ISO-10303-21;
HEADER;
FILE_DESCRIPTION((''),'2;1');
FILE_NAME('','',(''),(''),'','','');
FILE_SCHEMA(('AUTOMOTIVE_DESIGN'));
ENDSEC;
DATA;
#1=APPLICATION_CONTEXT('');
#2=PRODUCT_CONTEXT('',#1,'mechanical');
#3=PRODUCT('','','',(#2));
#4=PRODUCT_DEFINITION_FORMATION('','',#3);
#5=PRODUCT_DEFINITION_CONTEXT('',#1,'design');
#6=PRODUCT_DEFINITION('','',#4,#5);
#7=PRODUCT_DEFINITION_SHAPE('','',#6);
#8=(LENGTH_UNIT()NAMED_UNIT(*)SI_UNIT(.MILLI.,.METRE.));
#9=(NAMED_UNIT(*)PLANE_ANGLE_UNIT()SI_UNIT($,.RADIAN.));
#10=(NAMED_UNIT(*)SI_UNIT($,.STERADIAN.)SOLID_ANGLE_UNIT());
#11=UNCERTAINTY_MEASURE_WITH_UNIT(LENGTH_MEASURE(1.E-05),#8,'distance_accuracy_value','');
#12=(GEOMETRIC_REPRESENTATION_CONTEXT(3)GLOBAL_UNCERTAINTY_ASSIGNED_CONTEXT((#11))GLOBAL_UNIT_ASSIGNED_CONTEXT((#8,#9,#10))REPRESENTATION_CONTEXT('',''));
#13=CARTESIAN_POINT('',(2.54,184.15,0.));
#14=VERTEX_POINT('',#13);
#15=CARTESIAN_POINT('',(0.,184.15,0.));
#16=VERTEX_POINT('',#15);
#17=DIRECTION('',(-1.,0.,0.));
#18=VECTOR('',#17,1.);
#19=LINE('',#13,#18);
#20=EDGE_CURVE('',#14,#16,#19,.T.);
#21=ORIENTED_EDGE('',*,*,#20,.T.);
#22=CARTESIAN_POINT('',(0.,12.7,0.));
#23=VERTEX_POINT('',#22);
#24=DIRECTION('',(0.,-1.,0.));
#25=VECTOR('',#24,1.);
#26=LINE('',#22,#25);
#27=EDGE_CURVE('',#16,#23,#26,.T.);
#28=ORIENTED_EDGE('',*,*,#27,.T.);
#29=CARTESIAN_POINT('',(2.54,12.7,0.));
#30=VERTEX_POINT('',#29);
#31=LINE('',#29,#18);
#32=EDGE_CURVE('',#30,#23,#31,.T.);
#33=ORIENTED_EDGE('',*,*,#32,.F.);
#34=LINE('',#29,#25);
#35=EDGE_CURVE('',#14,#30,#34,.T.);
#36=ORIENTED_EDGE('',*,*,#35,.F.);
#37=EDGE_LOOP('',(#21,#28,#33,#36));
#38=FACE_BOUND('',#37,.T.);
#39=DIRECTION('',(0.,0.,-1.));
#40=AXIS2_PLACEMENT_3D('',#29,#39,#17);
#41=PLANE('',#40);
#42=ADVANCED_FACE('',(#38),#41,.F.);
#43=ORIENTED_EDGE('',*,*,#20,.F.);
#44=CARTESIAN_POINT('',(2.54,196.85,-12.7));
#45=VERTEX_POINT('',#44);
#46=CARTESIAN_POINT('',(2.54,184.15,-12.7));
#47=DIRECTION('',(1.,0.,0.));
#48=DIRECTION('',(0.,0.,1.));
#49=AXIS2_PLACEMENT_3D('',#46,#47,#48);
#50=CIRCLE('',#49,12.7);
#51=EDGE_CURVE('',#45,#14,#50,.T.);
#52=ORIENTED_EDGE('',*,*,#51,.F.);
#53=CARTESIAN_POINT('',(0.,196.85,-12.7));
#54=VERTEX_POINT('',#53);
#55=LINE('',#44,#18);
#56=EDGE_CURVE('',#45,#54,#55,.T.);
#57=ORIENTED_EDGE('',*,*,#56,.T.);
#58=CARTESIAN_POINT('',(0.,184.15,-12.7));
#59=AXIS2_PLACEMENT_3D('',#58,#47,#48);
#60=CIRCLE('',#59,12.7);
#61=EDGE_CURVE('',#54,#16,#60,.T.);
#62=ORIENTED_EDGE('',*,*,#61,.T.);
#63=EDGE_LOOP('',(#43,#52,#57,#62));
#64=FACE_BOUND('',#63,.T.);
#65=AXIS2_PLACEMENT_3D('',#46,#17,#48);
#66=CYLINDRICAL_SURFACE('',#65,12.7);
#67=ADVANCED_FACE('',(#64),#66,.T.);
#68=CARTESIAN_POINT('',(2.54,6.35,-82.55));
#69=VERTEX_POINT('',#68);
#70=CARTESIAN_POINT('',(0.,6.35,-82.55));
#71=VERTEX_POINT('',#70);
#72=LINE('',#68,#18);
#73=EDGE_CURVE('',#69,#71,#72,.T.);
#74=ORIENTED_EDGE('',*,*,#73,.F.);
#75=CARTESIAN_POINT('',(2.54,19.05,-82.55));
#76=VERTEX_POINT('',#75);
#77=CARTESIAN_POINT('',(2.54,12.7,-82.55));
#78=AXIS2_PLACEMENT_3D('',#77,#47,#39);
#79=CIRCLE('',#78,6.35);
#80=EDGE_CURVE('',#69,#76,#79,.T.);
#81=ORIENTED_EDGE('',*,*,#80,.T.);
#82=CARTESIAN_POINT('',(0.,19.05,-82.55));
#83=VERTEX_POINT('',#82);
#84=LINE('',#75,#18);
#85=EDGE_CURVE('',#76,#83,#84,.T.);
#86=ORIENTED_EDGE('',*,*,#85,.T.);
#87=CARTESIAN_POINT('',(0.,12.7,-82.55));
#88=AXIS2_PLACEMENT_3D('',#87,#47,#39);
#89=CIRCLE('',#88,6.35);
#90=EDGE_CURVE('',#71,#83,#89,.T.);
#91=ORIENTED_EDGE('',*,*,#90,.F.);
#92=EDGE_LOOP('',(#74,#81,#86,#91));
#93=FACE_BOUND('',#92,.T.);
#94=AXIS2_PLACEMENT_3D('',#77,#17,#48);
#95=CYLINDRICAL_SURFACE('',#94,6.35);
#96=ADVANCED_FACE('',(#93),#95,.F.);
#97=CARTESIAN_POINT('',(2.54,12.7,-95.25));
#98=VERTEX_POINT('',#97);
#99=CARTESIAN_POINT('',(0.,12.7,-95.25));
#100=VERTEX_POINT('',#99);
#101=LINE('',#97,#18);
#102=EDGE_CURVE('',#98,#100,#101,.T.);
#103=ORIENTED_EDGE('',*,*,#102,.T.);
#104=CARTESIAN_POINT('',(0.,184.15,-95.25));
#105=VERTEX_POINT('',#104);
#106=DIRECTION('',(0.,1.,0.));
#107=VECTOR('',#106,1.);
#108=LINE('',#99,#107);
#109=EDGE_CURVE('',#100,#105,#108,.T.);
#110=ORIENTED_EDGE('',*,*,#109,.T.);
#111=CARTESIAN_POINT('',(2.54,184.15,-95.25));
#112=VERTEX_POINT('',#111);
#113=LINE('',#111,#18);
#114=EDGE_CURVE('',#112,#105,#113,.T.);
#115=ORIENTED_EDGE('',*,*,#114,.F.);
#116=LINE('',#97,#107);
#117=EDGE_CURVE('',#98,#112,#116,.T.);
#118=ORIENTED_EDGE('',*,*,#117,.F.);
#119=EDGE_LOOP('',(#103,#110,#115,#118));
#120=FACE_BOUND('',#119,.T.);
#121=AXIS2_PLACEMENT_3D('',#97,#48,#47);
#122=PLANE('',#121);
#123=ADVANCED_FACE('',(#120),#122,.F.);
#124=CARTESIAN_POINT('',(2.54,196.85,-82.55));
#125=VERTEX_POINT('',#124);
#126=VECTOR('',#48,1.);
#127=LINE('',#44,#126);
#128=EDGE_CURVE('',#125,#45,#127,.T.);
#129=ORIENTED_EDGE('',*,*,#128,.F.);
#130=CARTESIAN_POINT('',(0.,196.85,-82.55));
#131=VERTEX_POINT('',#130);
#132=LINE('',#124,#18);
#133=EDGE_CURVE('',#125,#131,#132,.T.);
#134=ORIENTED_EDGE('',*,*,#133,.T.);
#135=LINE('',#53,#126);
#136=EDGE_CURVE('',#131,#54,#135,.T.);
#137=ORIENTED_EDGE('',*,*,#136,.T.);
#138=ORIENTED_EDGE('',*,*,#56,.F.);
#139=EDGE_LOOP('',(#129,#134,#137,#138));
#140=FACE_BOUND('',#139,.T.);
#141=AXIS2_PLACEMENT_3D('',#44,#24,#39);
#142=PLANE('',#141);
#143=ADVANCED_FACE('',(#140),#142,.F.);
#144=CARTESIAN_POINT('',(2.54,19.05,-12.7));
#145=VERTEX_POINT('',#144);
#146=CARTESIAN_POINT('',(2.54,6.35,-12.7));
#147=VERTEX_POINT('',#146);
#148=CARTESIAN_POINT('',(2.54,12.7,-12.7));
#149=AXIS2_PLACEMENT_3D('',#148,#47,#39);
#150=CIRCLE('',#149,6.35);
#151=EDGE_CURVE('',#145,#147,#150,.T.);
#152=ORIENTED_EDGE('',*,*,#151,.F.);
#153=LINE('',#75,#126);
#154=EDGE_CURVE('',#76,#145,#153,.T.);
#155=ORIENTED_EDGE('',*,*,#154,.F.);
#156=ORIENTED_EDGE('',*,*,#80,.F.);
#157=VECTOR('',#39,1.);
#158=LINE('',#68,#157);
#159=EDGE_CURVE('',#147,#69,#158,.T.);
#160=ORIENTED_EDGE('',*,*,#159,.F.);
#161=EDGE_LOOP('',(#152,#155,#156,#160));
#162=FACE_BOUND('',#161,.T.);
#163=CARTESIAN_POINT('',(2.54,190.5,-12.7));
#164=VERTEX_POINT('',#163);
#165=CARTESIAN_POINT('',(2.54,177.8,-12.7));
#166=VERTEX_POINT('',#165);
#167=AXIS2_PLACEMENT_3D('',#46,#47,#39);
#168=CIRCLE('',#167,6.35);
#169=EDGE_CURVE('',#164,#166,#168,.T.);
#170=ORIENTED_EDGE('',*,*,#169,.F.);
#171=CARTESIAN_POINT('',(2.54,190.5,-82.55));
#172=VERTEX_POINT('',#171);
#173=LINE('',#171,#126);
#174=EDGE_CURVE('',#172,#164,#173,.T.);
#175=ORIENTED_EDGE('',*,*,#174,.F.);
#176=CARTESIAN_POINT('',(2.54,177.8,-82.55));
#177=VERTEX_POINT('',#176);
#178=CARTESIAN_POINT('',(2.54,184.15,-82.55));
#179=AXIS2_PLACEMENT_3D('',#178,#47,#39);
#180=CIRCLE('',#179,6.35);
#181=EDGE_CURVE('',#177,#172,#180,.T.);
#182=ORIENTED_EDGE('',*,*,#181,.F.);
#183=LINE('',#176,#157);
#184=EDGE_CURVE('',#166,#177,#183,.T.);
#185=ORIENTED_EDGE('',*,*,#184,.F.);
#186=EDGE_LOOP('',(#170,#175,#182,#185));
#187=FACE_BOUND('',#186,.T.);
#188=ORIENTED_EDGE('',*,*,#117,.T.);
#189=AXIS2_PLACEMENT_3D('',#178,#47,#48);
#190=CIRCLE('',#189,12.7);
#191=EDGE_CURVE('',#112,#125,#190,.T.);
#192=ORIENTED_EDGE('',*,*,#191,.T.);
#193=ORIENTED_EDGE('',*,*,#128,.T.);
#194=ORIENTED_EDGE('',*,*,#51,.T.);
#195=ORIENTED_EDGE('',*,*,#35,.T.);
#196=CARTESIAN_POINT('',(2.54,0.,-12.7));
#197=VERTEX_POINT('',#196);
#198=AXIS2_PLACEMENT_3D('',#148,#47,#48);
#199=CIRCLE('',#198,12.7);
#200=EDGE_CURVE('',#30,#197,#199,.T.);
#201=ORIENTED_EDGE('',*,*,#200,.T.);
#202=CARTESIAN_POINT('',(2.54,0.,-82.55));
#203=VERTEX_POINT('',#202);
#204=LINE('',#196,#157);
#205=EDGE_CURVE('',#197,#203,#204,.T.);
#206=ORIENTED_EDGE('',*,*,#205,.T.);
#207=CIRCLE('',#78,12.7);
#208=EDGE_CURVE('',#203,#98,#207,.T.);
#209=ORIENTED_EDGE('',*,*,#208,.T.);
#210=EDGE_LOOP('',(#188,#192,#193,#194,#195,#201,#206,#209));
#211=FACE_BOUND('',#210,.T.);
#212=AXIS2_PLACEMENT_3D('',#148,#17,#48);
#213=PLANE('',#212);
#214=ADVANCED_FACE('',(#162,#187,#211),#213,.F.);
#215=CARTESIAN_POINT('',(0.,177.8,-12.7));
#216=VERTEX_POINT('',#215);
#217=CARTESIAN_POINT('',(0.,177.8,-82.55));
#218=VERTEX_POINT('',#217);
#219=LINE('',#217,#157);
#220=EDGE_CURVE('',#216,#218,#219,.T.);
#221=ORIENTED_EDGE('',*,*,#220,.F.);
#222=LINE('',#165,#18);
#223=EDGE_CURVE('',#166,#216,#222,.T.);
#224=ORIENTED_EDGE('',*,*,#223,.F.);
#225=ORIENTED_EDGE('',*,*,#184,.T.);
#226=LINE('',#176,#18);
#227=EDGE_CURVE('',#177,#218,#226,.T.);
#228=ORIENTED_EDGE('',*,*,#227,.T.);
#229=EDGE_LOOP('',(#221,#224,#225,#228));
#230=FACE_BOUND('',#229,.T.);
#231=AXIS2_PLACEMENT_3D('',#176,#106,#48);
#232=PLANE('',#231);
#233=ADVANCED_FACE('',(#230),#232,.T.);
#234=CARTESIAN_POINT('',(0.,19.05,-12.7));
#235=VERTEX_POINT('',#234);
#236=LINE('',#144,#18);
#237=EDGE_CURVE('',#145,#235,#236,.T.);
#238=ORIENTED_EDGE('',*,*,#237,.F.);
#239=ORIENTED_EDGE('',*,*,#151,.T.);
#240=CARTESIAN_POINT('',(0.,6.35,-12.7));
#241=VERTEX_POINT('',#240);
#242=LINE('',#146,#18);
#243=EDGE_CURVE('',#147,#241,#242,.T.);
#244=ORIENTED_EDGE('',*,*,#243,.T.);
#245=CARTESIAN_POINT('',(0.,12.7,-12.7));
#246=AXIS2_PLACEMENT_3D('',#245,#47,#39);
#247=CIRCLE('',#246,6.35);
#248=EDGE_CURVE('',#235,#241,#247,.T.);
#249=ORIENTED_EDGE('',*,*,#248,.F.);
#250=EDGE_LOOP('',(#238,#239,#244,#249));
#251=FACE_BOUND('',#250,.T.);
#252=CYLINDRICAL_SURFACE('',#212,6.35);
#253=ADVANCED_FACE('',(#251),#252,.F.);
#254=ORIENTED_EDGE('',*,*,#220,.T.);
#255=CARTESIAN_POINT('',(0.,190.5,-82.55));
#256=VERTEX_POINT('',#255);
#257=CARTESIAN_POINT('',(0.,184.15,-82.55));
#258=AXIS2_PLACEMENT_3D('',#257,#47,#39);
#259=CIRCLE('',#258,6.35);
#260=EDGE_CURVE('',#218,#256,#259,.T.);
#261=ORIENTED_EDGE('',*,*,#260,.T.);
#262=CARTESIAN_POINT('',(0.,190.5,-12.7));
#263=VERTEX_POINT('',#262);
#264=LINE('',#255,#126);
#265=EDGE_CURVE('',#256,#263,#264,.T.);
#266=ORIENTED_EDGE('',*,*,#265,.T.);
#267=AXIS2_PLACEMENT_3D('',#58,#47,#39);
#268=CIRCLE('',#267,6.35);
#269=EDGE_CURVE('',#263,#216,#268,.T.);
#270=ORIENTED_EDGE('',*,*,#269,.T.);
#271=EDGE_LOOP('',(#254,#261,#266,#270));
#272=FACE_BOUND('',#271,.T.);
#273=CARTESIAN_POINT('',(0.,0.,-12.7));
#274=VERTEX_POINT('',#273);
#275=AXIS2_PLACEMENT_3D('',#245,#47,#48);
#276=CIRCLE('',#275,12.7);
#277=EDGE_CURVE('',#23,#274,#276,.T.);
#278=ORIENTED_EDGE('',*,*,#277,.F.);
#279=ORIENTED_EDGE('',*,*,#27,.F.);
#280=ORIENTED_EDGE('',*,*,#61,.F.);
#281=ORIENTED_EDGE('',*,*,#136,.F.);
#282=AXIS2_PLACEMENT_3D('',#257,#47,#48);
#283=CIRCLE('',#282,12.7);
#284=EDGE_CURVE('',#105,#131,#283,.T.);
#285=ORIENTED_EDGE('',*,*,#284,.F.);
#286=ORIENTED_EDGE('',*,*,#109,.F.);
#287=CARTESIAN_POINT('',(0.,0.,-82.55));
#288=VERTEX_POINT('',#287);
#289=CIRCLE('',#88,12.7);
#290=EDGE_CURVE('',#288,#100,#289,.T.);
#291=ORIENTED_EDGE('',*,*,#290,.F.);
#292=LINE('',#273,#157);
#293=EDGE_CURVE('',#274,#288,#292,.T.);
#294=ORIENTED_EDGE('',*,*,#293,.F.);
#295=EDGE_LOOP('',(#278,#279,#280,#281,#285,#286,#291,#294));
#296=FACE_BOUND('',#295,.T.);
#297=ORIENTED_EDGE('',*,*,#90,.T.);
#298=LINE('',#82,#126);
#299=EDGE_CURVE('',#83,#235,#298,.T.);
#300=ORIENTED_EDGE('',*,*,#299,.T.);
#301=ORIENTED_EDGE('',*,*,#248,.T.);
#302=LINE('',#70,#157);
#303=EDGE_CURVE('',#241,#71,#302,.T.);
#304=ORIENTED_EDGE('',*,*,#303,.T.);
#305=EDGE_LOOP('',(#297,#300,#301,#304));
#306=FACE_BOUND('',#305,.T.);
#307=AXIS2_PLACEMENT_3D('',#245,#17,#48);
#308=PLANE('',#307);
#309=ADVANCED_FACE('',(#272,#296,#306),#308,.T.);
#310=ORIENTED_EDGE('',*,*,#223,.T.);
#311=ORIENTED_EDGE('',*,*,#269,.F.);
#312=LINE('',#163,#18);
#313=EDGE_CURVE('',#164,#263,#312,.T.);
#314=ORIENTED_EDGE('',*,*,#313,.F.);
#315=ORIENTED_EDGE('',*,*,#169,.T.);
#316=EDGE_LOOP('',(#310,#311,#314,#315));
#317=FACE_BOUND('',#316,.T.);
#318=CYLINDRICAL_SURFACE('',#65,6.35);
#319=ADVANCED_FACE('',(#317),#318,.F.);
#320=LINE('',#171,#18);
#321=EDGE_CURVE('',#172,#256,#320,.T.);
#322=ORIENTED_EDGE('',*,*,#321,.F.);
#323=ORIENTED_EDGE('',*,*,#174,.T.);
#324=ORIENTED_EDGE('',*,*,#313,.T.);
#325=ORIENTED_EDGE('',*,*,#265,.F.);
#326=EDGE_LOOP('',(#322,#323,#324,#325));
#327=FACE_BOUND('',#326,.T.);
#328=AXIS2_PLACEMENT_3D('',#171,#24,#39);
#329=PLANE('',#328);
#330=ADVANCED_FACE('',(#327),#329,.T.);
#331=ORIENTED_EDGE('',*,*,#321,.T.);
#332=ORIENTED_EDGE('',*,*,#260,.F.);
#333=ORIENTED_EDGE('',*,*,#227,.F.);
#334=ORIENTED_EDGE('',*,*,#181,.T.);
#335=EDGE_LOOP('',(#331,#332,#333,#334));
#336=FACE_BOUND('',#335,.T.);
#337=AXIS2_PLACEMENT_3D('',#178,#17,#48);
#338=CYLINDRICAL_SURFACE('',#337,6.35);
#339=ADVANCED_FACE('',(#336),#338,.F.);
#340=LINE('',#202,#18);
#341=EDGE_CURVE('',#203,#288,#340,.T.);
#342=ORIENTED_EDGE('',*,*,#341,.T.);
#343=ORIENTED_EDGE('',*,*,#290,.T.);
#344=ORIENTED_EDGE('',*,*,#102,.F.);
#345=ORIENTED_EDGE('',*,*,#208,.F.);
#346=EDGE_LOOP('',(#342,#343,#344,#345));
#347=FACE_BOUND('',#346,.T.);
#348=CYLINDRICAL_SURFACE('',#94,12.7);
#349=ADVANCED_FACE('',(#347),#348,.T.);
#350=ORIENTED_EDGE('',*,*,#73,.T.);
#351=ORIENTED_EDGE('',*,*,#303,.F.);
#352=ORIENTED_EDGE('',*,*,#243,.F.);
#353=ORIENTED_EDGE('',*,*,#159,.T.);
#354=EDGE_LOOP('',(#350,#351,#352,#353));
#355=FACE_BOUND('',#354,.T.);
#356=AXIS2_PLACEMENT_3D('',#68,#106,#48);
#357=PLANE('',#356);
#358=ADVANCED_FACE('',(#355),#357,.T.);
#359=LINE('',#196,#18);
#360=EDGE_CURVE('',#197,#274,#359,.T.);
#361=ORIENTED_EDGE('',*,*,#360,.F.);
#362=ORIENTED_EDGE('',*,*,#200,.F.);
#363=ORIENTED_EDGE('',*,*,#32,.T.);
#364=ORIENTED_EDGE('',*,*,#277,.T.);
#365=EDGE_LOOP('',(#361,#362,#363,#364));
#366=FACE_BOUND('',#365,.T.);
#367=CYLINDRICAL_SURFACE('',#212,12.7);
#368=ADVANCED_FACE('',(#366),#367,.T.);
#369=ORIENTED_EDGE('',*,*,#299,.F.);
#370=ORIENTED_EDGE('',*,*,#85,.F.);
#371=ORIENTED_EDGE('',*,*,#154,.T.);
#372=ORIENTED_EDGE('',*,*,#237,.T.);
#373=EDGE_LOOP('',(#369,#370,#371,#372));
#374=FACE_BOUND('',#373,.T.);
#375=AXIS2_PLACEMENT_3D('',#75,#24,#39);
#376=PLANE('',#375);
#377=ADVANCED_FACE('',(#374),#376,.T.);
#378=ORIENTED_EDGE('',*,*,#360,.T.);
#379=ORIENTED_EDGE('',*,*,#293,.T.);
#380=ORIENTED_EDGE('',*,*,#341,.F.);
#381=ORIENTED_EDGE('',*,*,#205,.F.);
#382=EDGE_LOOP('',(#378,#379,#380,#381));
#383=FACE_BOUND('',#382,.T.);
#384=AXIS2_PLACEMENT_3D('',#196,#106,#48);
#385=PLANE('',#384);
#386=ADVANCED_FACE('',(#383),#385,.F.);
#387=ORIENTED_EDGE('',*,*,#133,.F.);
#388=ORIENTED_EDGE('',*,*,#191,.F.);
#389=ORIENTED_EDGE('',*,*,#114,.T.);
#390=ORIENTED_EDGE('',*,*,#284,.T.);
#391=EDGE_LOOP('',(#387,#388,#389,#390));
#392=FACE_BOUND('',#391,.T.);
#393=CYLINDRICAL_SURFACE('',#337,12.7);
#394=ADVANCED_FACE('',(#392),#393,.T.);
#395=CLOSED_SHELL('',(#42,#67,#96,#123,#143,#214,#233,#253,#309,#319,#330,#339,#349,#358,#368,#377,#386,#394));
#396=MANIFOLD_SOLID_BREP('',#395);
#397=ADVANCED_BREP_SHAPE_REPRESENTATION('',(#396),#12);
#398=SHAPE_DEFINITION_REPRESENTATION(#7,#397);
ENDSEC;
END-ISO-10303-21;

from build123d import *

# Parameters (mm, degrees)
BOSS_EXTRUDE1_DEPTH = 2.54


with BuildPart() as part:
    # Sketch1 → Boss-Extrude1 (new body)
    with BuildSketch(Plane(origin=(0, 0, 0), x_dir=(0, 0, -1), z_dir=(1, 0, 0))):
        with BuildLine():
            Line((12.7, 0), (82.55, 0))
            ThreePointArc((82.55, 0), (91.530256121, 3.719743879), (95.25, 12.7))
            Line((95.25, 12.7), (95.25, 184.15))
            ThreePointArc((95.25, 184.15), (91.530256121, 193.130256121), (82.55, 196.85))
            Line((82.55, 196.85), (12.7, 196.85))
            ThreePointArc((12.7, 196.85), (3.719743879, 193.130256121), (0, 184.15))
            Line((0, 184.15), (0, 12.7))
            ThreePointArc((0, 12.7), (3.719743879, 3.719743879), (12.7, 0))
        make_face()
        with BuildLine():
            Line((82.55, 6.35), (12.7, 6.35))
            ThreePointArc((12.7, 6.35), (6.35, 12.7), (12.7, 19.05))
            Line((12.7, 19.05), (82.55, 19.05))
            ThreePointArc((82.55, 19.05), (88.9, 12.7), (82.55, 6.35))
        make_face(mode=Mode.SUBTRACT)
        with BuildLine():
            Line((82.55, 177.8), (12.7, 177.8))
            ThreePointArc((12.7, 177.8), (6.35, 184.15), (12.7, 190.5))
            Line((12.7, 190.5), (82.55, 190.5))
            ThreePointArc((82.55, 190.5), (88.9, 184.15), (82.55, 177.8))
        make_face(mode=Mode.SUBTRACT)
    extrude(amount=BOSS_EXTRUDE1_DEPTH)


solid = part.part
